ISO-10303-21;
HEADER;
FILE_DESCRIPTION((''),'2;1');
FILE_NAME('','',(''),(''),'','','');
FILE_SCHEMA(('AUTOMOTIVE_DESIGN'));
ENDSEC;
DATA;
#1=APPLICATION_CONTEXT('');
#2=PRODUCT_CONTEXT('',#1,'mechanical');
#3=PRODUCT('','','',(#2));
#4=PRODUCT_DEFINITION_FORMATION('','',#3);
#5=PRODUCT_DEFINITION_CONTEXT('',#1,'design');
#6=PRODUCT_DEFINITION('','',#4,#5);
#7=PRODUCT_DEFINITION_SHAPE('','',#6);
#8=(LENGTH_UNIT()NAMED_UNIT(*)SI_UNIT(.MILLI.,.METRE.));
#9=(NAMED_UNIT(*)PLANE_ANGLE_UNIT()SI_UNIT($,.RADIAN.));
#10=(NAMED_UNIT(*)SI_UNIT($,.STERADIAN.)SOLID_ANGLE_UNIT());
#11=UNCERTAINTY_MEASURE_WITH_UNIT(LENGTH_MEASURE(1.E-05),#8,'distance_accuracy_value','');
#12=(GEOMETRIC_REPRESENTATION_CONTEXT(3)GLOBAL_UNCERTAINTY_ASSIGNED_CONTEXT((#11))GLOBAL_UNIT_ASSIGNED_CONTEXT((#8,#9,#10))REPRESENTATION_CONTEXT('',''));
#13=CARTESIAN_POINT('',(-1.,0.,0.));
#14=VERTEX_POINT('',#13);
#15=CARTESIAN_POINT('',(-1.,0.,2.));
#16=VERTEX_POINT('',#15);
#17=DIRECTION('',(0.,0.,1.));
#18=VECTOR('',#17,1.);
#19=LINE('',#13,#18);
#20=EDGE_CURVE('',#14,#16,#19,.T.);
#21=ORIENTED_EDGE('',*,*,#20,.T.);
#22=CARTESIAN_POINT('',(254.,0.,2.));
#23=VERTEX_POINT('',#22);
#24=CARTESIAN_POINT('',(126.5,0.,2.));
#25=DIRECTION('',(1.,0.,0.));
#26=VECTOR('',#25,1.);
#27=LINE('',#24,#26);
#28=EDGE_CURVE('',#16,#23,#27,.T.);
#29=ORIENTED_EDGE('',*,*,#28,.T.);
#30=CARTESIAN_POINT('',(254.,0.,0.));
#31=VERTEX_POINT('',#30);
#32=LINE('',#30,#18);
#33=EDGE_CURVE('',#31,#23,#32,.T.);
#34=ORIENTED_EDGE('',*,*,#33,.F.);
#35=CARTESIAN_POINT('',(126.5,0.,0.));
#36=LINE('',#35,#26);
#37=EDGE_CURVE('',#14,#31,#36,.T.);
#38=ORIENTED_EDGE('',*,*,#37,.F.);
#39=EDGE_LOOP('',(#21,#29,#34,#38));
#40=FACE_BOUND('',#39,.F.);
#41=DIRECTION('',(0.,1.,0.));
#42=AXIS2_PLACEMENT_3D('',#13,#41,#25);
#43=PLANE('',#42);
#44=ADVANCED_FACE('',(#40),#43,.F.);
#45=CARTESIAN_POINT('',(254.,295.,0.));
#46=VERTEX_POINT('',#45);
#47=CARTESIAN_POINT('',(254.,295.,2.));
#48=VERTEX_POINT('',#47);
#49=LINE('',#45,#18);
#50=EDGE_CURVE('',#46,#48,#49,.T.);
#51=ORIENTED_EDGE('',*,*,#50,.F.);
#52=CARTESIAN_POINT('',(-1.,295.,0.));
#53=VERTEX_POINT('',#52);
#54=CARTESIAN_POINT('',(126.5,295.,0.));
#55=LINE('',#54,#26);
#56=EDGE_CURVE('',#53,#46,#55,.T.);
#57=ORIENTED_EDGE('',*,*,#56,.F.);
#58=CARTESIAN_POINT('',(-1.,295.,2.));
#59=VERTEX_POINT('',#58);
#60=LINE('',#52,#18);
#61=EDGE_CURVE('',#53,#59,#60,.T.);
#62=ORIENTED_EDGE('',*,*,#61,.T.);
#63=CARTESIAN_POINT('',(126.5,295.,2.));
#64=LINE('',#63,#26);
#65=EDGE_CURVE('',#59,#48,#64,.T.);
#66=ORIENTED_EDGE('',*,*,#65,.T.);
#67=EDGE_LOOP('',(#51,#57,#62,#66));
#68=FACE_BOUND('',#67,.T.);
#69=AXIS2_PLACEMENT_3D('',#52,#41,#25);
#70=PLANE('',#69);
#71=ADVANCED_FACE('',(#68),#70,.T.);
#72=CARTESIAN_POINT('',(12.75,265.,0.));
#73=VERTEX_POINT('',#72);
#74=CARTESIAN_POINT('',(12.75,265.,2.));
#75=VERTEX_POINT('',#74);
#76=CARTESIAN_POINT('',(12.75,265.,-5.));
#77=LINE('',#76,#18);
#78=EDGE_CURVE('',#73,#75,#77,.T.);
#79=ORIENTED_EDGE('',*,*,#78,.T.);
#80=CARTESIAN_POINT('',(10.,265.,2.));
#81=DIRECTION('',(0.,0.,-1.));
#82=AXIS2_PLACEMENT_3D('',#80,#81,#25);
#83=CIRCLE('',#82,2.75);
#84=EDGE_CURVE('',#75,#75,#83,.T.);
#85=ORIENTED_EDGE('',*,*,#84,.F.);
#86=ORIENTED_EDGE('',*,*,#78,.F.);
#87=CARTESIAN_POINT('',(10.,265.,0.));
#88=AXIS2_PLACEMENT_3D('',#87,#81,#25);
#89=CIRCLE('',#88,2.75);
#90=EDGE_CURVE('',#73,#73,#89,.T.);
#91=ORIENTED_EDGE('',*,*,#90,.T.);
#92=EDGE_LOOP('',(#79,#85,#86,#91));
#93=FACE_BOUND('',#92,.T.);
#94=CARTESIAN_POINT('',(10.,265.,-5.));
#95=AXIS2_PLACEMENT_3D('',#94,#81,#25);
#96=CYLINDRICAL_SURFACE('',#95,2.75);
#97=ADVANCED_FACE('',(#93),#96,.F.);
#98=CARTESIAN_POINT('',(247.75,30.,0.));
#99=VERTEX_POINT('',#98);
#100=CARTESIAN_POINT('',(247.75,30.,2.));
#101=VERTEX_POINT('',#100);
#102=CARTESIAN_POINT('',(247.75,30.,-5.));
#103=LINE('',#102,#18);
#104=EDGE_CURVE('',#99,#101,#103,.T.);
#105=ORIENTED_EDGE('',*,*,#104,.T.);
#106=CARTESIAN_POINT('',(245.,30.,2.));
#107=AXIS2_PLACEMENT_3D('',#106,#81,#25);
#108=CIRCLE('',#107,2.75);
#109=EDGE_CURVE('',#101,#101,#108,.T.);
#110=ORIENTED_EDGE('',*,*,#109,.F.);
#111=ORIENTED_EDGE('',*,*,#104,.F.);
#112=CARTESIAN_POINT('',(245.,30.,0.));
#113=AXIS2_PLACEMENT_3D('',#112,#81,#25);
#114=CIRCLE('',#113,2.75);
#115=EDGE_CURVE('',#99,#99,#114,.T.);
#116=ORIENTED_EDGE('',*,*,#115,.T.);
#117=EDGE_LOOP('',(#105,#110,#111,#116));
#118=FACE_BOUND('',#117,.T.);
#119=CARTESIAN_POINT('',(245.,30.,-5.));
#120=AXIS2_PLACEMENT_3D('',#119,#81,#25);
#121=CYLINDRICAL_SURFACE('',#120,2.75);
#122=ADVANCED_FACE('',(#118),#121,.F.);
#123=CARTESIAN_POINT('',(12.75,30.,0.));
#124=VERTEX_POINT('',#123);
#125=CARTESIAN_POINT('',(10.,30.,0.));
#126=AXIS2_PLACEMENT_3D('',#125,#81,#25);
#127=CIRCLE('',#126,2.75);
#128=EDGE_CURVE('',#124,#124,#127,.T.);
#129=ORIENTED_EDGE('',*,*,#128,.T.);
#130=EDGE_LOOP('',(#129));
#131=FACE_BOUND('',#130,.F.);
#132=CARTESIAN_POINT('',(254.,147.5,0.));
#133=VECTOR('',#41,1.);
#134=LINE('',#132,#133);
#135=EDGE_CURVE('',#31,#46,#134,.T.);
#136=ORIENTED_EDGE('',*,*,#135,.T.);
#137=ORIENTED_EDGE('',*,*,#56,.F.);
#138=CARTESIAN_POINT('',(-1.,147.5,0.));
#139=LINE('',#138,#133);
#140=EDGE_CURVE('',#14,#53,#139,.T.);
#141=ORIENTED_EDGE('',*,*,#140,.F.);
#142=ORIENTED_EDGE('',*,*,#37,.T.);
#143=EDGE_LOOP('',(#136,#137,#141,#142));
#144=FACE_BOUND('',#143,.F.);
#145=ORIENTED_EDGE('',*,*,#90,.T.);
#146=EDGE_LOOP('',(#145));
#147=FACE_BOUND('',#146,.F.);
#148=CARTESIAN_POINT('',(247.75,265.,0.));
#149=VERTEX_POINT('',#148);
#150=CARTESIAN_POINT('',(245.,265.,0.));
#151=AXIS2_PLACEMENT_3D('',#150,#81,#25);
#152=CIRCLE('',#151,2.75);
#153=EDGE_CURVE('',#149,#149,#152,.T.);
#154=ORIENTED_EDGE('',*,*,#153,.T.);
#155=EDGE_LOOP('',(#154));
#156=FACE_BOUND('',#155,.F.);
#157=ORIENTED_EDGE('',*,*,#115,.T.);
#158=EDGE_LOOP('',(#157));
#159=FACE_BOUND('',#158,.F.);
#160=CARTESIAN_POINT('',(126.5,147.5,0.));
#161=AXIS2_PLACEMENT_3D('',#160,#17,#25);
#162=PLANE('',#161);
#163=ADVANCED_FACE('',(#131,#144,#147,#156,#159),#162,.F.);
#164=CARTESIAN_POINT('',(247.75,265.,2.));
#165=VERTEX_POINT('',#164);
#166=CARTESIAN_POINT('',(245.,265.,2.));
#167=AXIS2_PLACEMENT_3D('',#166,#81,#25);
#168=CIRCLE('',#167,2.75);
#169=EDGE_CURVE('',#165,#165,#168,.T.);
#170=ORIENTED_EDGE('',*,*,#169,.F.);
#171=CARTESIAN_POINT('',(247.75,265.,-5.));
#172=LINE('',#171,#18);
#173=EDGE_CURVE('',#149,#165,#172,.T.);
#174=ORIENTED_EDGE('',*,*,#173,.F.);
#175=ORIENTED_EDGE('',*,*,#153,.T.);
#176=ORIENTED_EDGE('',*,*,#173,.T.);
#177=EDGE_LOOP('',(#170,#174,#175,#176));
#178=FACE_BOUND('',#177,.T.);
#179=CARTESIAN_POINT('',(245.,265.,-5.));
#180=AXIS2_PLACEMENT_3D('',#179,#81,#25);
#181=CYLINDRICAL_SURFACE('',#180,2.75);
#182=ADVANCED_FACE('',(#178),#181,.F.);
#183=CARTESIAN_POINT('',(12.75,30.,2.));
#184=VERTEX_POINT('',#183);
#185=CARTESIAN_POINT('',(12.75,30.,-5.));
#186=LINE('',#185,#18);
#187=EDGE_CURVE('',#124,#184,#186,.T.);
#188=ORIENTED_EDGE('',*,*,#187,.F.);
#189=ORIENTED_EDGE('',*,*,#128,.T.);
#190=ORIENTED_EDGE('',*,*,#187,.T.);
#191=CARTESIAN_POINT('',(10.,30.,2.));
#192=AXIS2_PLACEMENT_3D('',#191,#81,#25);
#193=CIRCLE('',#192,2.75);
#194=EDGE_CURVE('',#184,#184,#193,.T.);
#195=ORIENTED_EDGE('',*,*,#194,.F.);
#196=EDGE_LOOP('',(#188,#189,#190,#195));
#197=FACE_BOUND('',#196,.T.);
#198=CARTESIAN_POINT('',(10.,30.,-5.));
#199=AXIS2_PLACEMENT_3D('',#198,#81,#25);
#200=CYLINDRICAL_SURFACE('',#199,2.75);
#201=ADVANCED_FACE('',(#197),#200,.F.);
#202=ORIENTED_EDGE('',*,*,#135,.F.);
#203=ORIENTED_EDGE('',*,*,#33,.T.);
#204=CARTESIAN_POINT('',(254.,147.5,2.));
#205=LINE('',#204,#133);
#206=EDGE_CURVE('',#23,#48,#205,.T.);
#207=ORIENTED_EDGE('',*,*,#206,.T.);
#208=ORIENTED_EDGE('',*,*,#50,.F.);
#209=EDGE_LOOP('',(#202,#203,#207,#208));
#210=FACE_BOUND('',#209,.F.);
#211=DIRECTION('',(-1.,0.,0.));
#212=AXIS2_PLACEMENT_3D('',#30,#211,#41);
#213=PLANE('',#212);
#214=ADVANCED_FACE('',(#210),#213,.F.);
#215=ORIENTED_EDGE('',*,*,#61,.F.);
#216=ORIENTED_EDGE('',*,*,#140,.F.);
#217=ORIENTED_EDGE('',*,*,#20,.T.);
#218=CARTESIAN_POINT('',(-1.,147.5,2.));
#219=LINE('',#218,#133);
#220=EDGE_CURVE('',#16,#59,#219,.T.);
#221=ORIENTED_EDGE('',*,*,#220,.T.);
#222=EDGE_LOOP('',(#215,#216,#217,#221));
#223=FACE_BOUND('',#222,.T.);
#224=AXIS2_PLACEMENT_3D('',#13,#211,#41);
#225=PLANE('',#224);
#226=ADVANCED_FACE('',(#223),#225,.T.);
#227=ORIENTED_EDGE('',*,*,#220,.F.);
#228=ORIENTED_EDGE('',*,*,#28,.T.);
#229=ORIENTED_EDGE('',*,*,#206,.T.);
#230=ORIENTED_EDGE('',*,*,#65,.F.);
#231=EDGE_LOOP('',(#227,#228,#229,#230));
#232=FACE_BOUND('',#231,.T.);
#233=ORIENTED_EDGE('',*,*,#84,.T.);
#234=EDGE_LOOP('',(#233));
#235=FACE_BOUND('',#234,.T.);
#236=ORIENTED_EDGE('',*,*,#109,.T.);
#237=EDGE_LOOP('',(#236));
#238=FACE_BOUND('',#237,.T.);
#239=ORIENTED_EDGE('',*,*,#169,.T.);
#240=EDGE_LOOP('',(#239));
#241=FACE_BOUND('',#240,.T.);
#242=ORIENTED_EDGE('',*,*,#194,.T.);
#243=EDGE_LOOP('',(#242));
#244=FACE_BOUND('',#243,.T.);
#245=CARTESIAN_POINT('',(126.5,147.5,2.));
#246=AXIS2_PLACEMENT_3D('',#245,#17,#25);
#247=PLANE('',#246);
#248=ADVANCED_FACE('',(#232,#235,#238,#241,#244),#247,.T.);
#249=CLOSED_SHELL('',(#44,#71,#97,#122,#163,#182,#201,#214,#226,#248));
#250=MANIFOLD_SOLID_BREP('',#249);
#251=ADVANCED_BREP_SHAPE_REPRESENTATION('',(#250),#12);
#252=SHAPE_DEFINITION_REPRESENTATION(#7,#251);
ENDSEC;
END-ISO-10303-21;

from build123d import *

# Parameters (mm, degrees)
CYLINDER003_R     = 2.75
CYLINDER003_DEPTH = 10
CYLINDER002_R     = 2.75
CYLINDER002_DEPTH = 10
CYLINDER001_R     = 2.75
CYLINDER001_DEPTH = 10
CYLINDER_R        = 2.75
CYLINDER_DEPTH    = 10
BOX_W             = 255
BOX_H             = 295
BOX_DEPTH         = 2


with BuildPart() as cylinder003:
    # Cylinder003 → Cylinder003 (new body)
    with BuildSketch(Plane(origin=(245, 265, -5), x_dir=(1, 0, 0), z_dir=(0, 0, 1))):
        Circle(CYLINDER003_R)
    extrude(amount=CYLINDER003_DEPTH)


with BuildPart() as cylinder002:
    # Cylinder002 → Cylinder002 (new body)
    with BuildSketch(Plane(origin=(245, 30, -5), x_dir=(1, 0, 0), z_dir=(0, 0, 1))):
        Circle(CYLINDER002_R)
    extrude(amount=CYLINDER002_DEPTH)


with BuildPart() as cylinder001:
    # Cylinder001 → Cylinder001 (new body)
    with BuildSketch(Plane(origin=(10, 265, -5), x_dir=(1, 0, 0), z_dir=(0, 0, 1))):
        Circle(CYLINDER001_R)
    extrude(amount=CYLINDER001_DEPTH)


with BuildPart() as cylinder:
    # Cylinder → Cylinder (new body)
    with BuildSketch(Plane(origin=(10, 30, -5), x_dir=(1, 0, 0), z_dir=(0, 0, 1))):
        Circle(CYLINDER_R)
    extrude(amount=CYLINDER_DEPTH)


with BuildPart() as bottom:
    # Box → Box (new body)
    with BuildSketch(Plane(origin=(-1, 0, 0), x_dir=(1, 0, 0), z_dir=(0, 0, 1))):
        with Locations((127.5, 147.5)):
            Rectangle(BOX_W, BOX_H)
    extrude(amount=BOX_DEPTH)

    # Cut: cut Cylinder
    add(cylinder.part, mode=Mode.SUBTRACT)

    # Cut001: cut Cylinder001
    add(cylinder001.part, mode=Mode.SUBTRACT)

    # Cut002: cut Cylinder002
    add(cylinder002.part, mode=Mode.SUBTRACT)

    # Cut003: cut Cylinder003
    add(cylinder003.part, mode=Mode.SUBTRACT)


solid = bottom.part
